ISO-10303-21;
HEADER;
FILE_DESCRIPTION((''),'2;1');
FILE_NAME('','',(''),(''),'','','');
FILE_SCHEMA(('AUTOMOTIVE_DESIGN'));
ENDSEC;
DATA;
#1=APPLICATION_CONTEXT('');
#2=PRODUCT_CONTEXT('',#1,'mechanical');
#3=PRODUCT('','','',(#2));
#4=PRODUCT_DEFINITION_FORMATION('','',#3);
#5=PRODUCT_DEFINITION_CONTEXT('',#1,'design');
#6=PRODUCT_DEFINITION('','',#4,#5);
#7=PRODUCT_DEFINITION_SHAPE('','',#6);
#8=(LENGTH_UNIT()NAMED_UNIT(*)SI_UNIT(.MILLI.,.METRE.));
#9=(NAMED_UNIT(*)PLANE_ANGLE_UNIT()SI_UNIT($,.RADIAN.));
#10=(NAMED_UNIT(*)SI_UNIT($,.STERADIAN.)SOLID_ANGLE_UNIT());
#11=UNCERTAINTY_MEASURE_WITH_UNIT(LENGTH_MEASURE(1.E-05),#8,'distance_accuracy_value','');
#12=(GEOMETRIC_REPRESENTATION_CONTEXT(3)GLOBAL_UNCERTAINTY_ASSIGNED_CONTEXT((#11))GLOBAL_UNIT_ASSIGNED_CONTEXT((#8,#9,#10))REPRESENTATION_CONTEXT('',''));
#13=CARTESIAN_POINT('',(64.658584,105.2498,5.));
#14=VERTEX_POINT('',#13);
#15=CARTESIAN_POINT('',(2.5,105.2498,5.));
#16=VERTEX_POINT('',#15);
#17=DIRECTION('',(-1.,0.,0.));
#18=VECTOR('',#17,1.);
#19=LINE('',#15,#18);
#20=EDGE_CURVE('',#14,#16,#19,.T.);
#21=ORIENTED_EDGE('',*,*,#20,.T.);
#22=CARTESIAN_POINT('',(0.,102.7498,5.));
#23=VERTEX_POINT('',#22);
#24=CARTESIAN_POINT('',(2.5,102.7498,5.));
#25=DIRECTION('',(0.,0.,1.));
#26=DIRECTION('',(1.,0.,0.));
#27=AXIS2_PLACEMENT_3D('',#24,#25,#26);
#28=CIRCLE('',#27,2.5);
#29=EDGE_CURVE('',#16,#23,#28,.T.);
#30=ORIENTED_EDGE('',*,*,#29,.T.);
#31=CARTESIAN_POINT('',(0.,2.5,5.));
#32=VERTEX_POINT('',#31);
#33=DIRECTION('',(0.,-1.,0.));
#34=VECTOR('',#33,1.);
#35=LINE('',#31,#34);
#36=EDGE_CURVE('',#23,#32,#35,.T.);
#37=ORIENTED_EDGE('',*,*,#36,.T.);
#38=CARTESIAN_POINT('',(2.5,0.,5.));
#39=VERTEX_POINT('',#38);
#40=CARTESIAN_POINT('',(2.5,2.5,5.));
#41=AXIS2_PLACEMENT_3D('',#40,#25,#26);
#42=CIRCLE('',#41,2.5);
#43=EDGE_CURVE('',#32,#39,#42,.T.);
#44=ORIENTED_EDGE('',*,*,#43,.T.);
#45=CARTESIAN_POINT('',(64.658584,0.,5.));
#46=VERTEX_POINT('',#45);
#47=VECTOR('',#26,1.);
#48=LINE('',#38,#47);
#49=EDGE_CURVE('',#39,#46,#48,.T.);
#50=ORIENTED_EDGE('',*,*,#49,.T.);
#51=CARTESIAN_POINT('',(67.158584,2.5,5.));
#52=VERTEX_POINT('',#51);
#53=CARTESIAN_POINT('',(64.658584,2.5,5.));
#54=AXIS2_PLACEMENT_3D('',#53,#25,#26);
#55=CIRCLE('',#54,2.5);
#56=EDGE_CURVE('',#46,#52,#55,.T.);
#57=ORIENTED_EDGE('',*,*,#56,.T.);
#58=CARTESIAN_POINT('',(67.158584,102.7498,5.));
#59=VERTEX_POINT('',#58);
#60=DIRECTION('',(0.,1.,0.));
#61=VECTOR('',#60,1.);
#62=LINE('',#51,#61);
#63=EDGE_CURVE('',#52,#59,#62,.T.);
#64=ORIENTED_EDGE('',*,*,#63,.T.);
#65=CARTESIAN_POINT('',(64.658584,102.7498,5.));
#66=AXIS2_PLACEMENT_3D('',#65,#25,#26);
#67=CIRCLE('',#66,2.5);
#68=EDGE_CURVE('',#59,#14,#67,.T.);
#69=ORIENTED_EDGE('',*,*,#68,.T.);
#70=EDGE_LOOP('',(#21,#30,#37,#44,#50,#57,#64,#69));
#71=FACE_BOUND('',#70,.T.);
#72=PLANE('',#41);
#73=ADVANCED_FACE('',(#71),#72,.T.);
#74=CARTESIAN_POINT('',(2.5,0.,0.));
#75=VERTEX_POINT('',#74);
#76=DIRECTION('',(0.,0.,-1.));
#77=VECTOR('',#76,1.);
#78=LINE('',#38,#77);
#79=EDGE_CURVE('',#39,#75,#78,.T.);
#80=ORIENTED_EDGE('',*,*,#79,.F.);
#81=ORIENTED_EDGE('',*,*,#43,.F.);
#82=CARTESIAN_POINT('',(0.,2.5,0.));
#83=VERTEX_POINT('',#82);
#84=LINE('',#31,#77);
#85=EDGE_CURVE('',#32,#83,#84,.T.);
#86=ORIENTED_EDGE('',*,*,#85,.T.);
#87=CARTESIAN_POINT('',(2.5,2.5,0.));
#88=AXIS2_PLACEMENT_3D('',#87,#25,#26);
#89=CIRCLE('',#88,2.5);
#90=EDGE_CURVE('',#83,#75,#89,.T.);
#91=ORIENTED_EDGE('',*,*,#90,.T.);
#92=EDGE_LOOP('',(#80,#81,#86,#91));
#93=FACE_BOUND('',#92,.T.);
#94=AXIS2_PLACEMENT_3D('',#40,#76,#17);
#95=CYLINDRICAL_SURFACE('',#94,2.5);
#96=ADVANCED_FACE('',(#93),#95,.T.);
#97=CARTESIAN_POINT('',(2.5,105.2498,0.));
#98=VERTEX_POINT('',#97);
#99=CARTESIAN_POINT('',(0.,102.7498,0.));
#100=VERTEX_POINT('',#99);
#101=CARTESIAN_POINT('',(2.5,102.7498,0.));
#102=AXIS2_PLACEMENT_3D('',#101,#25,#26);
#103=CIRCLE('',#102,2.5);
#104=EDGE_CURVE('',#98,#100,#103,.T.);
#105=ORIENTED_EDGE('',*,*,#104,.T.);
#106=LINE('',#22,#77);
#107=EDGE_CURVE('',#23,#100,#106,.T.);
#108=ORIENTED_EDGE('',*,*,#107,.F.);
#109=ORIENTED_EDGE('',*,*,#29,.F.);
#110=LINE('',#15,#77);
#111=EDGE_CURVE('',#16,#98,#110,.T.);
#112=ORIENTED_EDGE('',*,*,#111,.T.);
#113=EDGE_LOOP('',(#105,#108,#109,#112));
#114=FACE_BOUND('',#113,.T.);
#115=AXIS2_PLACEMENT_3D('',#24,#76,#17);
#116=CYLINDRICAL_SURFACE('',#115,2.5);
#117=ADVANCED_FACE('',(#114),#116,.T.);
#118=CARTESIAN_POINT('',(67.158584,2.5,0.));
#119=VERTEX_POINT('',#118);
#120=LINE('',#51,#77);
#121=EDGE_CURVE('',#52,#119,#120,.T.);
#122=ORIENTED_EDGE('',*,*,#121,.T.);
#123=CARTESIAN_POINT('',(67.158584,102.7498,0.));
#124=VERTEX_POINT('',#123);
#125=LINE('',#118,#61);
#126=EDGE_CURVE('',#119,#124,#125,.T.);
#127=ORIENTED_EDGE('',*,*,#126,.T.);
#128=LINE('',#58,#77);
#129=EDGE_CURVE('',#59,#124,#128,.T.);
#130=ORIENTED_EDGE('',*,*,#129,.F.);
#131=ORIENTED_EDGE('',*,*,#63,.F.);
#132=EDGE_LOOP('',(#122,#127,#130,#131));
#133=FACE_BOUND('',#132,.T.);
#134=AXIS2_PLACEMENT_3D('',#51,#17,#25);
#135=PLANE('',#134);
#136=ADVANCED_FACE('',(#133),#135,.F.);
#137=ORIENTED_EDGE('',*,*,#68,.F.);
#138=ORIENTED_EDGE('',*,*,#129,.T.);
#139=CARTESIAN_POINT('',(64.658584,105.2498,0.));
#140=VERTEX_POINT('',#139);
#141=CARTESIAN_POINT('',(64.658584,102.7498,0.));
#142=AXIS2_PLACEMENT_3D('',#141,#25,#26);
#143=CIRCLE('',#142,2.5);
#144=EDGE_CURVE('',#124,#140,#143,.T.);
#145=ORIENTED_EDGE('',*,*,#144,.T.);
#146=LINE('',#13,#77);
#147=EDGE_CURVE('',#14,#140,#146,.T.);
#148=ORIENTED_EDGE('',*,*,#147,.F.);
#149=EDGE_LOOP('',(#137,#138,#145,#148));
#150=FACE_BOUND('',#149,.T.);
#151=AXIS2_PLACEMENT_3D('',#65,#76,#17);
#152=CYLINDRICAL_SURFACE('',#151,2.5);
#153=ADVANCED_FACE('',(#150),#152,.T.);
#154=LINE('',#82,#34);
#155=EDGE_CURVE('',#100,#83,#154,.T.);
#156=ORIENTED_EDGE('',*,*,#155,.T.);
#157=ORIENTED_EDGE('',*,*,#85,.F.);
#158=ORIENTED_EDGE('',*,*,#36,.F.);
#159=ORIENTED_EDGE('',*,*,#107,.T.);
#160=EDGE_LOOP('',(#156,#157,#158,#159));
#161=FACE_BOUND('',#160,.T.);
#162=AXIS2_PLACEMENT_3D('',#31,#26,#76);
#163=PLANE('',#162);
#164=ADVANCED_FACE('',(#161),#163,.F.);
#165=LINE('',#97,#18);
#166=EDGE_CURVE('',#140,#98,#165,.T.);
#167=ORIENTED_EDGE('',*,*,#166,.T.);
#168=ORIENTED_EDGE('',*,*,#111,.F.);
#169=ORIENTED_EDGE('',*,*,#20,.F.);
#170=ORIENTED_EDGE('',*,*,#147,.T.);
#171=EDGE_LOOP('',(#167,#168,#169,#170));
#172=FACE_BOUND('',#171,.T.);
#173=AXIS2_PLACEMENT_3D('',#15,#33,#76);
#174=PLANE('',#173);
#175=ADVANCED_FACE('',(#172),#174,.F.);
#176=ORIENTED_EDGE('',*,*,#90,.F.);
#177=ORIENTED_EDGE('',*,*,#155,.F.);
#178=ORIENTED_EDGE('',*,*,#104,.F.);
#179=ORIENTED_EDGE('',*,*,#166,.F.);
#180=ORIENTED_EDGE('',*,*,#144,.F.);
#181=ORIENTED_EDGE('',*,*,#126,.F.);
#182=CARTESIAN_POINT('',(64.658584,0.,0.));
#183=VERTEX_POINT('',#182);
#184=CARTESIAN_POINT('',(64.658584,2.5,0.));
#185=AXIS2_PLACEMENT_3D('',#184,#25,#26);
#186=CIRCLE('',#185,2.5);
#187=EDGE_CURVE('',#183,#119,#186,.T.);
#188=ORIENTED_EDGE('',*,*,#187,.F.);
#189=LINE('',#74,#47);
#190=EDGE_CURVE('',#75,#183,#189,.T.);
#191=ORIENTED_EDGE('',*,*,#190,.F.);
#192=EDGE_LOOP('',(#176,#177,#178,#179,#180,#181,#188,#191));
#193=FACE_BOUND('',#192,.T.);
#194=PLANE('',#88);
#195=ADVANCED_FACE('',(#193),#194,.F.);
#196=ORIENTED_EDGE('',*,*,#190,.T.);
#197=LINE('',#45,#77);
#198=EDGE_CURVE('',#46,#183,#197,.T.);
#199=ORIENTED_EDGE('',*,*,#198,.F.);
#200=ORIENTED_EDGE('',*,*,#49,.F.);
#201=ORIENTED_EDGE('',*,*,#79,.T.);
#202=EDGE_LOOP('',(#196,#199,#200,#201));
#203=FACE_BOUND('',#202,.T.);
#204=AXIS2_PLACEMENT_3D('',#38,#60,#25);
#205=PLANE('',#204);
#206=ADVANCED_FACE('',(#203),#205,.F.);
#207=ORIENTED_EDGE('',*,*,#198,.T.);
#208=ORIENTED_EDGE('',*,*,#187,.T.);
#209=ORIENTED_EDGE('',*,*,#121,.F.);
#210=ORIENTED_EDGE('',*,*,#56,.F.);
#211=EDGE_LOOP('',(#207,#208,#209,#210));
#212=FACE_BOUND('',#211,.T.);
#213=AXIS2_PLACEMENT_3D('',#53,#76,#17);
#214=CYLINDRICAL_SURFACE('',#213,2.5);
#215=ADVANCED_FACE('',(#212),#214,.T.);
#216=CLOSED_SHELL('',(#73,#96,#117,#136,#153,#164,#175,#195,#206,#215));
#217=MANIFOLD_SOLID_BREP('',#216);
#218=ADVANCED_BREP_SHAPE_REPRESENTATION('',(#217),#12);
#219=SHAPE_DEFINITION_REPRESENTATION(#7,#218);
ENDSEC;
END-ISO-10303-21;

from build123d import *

# Parameters (mm, degrees)
EXTRUDE_2_DEPTH = 5


with BuildPart() as part:
    # 草图2 → 凸台-拉伸2 (new body)
    with BuildSketch(Plane.XY):
        with BuildLine():
            Line((2.5, 0), (64.658583814, 0))
            ThreePointArc((64.658583814, 0), (66.426350767, 0.732233047), (67.158583814, 2.5))
            Line((67.158583814, 2.5), (67.158583814, 102.7498))
            ThreePointArc((67.158583814, 102.7498), (66.426350767, 104.517566953), (64.658583814, 105.2498))
            Line((64.658583814, 105.2498), (2.5, 105.2498))
            ThreePointArc((2.5, 105.2498), (0.732233047, 104.517566953), (0, 102.7498))
            Line((0, 102.7498), (0, 2.5))
            ThreePointArc((0, 2.5), (0.732233047, 0.732233047), (2.5, 0))
        make_face()
    extrude(amount=EXTRUDE_2_DEPTH)


solid = part.part
